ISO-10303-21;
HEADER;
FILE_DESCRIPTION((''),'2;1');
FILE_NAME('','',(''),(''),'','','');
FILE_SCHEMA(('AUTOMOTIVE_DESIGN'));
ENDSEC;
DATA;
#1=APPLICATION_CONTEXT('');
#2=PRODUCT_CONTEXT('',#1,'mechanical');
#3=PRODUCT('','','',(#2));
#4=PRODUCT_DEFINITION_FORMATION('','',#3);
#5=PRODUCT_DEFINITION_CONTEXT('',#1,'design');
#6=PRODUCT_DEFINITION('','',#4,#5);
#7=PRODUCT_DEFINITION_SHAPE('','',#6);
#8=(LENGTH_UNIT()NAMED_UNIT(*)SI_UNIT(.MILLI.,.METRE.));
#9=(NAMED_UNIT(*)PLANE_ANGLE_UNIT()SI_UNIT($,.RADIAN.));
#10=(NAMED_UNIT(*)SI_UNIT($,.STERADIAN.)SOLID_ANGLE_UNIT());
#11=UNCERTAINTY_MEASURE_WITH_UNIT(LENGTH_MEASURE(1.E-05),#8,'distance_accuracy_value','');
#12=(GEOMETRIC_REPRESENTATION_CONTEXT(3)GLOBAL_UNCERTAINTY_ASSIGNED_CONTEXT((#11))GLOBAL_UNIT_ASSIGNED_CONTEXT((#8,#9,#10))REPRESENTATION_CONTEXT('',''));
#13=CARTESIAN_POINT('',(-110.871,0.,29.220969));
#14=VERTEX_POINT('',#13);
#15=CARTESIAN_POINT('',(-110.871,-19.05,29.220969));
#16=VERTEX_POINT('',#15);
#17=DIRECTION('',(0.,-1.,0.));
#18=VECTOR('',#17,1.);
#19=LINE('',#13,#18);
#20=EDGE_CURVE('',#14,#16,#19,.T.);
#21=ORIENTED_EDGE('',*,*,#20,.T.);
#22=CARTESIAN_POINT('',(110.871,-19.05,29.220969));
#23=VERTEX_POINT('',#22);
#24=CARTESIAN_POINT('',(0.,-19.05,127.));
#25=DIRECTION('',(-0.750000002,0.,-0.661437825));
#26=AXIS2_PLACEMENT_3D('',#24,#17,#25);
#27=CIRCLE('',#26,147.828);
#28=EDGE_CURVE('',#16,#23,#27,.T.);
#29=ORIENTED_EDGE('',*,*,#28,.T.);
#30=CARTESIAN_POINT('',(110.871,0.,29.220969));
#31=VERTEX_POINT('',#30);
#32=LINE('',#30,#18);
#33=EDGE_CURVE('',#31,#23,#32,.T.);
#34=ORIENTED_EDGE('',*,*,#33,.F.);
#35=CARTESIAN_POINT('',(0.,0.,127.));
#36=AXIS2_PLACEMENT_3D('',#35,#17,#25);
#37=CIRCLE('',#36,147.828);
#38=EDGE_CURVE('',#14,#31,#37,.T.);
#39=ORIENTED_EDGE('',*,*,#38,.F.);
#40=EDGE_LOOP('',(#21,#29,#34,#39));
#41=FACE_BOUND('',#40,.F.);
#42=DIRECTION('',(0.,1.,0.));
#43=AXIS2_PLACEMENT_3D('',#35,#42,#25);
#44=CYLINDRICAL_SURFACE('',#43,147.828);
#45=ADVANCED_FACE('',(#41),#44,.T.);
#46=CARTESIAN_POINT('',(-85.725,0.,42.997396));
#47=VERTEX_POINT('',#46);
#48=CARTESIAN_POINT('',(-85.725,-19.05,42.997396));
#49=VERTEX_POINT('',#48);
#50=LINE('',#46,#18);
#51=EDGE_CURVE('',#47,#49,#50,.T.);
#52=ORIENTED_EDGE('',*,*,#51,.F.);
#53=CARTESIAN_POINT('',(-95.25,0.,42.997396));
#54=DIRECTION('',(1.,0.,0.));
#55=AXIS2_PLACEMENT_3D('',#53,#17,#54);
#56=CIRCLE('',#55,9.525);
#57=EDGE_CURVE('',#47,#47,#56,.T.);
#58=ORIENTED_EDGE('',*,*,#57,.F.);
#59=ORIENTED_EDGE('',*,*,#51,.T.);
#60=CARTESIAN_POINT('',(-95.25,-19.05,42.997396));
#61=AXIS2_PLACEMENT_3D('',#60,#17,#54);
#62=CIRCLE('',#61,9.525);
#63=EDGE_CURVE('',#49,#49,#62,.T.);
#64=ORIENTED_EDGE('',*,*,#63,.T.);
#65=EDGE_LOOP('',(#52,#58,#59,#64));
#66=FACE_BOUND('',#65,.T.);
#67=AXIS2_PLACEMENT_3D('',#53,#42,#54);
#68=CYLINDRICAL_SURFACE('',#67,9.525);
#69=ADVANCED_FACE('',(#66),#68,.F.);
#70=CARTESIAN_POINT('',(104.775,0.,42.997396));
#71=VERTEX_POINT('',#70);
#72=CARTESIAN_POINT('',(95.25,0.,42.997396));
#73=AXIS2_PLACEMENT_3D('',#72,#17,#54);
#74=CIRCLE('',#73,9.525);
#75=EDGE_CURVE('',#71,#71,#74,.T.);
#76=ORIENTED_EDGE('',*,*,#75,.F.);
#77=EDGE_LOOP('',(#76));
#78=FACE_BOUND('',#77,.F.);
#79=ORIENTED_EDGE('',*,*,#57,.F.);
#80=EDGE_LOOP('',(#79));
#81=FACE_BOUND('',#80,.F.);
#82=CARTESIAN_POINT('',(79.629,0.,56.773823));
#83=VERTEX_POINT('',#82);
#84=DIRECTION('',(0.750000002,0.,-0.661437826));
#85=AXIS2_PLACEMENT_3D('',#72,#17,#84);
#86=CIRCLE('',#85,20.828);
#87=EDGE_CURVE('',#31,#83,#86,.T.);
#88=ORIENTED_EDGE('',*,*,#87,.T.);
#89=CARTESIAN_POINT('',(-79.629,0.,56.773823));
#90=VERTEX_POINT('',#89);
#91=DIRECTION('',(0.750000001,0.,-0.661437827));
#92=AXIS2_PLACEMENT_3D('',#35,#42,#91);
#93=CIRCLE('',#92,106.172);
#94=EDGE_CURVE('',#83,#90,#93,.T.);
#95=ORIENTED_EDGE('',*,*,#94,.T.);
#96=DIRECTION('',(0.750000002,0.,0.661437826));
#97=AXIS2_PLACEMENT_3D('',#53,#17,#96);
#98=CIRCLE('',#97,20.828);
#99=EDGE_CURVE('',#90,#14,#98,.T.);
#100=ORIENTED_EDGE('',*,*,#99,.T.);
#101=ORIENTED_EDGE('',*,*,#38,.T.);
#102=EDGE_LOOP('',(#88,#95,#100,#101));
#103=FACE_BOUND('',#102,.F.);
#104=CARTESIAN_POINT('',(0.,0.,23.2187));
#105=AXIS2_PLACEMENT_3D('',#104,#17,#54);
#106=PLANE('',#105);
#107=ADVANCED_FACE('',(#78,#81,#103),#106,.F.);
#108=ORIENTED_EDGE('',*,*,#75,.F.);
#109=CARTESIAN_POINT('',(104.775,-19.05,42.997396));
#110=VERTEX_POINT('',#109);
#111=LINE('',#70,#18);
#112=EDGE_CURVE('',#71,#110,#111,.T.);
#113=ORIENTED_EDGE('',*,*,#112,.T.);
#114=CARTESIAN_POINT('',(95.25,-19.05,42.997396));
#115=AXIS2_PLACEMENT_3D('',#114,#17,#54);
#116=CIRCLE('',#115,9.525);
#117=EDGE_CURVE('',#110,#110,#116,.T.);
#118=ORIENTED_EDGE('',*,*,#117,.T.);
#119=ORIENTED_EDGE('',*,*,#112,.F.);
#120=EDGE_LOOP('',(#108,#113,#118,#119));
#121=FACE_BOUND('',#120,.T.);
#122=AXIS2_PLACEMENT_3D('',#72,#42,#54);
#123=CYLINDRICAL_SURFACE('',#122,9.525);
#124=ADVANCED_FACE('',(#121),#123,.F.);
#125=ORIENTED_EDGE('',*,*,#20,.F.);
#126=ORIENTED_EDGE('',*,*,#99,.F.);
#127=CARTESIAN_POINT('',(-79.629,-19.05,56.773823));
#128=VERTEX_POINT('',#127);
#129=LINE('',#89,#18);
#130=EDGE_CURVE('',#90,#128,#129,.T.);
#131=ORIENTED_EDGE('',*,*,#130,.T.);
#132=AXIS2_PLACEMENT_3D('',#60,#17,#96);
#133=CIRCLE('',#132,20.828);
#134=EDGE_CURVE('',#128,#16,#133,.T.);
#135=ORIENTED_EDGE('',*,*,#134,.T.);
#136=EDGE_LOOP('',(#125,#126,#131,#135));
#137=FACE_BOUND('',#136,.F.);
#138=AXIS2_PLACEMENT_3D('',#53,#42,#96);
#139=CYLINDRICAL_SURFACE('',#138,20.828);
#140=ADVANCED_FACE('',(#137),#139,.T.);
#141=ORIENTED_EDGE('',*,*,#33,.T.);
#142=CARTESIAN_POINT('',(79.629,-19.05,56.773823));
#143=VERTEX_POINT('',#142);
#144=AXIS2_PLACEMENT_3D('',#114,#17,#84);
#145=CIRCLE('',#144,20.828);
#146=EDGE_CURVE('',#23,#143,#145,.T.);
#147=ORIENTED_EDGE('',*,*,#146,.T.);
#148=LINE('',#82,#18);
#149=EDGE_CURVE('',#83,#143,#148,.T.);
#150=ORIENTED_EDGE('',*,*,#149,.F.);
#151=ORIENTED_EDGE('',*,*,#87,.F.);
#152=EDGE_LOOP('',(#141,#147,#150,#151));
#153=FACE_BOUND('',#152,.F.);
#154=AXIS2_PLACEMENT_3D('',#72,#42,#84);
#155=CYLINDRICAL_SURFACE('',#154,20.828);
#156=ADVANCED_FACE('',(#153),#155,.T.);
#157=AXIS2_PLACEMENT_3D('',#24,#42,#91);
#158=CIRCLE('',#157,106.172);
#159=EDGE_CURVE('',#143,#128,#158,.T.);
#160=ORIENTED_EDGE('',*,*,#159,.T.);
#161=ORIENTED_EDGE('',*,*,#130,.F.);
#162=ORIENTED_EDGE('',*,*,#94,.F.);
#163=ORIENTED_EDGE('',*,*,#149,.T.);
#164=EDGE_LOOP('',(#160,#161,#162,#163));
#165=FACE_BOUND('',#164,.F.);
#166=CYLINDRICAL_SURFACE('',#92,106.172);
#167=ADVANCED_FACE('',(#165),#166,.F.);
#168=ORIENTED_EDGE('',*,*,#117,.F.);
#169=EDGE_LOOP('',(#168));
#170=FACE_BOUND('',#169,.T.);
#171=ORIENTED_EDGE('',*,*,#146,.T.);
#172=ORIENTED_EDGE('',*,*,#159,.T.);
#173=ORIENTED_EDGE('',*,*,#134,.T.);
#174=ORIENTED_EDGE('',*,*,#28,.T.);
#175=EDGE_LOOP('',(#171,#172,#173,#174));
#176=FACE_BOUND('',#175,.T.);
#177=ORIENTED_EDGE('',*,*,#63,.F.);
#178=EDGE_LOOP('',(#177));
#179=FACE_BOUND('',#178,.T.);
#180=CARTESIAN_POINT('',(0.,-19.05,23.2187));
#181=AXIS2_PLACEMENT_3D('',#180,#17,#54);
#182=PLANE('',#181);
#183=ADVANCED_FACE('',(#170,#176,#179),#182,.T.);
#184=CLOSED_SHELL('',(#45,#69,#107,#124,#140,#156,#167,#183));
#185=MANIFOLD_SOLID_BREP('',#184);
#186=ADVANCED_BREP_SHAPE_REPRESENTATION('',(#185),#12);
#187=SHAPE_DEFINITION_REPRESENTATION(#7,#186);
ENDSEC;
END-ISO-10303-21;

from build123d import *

# Parameters (mm, degrees)
F0_R     = 9.525
F1_DEPTH = 19.05


with BuildPart() as f1:
    # F0 (on Front) → F1 (new body)
    with BuildSketch(Plane.XZ):
        with BuildLine():
            ThreePointArc((-79.629, 56.773823), (-109.026427, 58.618396), (-110.871, 29.220969))
            ThreePointArc((-110.871, 29.220969), (0, -20.828), (110.871, 29.220969))
            ThreePointArc((110.871, 29.220969), (109.026427, 58.618396), (79.629, 56.773823))
            ThreePointArc((79.629, 56.773823), (0, 20.828), (-79.629, 56.773823))
        make_face()
        with Locations((-95.25, 42.997396)):
            Circle(F0_R, mode=Mode.SUBTRACT)
        with Locations((95.25, 42.997396)):
            Circle(F0_R, mode=Mode.SUBTRACT)
    extrude(amount=F1_DEPTH)


solid = f1.part
